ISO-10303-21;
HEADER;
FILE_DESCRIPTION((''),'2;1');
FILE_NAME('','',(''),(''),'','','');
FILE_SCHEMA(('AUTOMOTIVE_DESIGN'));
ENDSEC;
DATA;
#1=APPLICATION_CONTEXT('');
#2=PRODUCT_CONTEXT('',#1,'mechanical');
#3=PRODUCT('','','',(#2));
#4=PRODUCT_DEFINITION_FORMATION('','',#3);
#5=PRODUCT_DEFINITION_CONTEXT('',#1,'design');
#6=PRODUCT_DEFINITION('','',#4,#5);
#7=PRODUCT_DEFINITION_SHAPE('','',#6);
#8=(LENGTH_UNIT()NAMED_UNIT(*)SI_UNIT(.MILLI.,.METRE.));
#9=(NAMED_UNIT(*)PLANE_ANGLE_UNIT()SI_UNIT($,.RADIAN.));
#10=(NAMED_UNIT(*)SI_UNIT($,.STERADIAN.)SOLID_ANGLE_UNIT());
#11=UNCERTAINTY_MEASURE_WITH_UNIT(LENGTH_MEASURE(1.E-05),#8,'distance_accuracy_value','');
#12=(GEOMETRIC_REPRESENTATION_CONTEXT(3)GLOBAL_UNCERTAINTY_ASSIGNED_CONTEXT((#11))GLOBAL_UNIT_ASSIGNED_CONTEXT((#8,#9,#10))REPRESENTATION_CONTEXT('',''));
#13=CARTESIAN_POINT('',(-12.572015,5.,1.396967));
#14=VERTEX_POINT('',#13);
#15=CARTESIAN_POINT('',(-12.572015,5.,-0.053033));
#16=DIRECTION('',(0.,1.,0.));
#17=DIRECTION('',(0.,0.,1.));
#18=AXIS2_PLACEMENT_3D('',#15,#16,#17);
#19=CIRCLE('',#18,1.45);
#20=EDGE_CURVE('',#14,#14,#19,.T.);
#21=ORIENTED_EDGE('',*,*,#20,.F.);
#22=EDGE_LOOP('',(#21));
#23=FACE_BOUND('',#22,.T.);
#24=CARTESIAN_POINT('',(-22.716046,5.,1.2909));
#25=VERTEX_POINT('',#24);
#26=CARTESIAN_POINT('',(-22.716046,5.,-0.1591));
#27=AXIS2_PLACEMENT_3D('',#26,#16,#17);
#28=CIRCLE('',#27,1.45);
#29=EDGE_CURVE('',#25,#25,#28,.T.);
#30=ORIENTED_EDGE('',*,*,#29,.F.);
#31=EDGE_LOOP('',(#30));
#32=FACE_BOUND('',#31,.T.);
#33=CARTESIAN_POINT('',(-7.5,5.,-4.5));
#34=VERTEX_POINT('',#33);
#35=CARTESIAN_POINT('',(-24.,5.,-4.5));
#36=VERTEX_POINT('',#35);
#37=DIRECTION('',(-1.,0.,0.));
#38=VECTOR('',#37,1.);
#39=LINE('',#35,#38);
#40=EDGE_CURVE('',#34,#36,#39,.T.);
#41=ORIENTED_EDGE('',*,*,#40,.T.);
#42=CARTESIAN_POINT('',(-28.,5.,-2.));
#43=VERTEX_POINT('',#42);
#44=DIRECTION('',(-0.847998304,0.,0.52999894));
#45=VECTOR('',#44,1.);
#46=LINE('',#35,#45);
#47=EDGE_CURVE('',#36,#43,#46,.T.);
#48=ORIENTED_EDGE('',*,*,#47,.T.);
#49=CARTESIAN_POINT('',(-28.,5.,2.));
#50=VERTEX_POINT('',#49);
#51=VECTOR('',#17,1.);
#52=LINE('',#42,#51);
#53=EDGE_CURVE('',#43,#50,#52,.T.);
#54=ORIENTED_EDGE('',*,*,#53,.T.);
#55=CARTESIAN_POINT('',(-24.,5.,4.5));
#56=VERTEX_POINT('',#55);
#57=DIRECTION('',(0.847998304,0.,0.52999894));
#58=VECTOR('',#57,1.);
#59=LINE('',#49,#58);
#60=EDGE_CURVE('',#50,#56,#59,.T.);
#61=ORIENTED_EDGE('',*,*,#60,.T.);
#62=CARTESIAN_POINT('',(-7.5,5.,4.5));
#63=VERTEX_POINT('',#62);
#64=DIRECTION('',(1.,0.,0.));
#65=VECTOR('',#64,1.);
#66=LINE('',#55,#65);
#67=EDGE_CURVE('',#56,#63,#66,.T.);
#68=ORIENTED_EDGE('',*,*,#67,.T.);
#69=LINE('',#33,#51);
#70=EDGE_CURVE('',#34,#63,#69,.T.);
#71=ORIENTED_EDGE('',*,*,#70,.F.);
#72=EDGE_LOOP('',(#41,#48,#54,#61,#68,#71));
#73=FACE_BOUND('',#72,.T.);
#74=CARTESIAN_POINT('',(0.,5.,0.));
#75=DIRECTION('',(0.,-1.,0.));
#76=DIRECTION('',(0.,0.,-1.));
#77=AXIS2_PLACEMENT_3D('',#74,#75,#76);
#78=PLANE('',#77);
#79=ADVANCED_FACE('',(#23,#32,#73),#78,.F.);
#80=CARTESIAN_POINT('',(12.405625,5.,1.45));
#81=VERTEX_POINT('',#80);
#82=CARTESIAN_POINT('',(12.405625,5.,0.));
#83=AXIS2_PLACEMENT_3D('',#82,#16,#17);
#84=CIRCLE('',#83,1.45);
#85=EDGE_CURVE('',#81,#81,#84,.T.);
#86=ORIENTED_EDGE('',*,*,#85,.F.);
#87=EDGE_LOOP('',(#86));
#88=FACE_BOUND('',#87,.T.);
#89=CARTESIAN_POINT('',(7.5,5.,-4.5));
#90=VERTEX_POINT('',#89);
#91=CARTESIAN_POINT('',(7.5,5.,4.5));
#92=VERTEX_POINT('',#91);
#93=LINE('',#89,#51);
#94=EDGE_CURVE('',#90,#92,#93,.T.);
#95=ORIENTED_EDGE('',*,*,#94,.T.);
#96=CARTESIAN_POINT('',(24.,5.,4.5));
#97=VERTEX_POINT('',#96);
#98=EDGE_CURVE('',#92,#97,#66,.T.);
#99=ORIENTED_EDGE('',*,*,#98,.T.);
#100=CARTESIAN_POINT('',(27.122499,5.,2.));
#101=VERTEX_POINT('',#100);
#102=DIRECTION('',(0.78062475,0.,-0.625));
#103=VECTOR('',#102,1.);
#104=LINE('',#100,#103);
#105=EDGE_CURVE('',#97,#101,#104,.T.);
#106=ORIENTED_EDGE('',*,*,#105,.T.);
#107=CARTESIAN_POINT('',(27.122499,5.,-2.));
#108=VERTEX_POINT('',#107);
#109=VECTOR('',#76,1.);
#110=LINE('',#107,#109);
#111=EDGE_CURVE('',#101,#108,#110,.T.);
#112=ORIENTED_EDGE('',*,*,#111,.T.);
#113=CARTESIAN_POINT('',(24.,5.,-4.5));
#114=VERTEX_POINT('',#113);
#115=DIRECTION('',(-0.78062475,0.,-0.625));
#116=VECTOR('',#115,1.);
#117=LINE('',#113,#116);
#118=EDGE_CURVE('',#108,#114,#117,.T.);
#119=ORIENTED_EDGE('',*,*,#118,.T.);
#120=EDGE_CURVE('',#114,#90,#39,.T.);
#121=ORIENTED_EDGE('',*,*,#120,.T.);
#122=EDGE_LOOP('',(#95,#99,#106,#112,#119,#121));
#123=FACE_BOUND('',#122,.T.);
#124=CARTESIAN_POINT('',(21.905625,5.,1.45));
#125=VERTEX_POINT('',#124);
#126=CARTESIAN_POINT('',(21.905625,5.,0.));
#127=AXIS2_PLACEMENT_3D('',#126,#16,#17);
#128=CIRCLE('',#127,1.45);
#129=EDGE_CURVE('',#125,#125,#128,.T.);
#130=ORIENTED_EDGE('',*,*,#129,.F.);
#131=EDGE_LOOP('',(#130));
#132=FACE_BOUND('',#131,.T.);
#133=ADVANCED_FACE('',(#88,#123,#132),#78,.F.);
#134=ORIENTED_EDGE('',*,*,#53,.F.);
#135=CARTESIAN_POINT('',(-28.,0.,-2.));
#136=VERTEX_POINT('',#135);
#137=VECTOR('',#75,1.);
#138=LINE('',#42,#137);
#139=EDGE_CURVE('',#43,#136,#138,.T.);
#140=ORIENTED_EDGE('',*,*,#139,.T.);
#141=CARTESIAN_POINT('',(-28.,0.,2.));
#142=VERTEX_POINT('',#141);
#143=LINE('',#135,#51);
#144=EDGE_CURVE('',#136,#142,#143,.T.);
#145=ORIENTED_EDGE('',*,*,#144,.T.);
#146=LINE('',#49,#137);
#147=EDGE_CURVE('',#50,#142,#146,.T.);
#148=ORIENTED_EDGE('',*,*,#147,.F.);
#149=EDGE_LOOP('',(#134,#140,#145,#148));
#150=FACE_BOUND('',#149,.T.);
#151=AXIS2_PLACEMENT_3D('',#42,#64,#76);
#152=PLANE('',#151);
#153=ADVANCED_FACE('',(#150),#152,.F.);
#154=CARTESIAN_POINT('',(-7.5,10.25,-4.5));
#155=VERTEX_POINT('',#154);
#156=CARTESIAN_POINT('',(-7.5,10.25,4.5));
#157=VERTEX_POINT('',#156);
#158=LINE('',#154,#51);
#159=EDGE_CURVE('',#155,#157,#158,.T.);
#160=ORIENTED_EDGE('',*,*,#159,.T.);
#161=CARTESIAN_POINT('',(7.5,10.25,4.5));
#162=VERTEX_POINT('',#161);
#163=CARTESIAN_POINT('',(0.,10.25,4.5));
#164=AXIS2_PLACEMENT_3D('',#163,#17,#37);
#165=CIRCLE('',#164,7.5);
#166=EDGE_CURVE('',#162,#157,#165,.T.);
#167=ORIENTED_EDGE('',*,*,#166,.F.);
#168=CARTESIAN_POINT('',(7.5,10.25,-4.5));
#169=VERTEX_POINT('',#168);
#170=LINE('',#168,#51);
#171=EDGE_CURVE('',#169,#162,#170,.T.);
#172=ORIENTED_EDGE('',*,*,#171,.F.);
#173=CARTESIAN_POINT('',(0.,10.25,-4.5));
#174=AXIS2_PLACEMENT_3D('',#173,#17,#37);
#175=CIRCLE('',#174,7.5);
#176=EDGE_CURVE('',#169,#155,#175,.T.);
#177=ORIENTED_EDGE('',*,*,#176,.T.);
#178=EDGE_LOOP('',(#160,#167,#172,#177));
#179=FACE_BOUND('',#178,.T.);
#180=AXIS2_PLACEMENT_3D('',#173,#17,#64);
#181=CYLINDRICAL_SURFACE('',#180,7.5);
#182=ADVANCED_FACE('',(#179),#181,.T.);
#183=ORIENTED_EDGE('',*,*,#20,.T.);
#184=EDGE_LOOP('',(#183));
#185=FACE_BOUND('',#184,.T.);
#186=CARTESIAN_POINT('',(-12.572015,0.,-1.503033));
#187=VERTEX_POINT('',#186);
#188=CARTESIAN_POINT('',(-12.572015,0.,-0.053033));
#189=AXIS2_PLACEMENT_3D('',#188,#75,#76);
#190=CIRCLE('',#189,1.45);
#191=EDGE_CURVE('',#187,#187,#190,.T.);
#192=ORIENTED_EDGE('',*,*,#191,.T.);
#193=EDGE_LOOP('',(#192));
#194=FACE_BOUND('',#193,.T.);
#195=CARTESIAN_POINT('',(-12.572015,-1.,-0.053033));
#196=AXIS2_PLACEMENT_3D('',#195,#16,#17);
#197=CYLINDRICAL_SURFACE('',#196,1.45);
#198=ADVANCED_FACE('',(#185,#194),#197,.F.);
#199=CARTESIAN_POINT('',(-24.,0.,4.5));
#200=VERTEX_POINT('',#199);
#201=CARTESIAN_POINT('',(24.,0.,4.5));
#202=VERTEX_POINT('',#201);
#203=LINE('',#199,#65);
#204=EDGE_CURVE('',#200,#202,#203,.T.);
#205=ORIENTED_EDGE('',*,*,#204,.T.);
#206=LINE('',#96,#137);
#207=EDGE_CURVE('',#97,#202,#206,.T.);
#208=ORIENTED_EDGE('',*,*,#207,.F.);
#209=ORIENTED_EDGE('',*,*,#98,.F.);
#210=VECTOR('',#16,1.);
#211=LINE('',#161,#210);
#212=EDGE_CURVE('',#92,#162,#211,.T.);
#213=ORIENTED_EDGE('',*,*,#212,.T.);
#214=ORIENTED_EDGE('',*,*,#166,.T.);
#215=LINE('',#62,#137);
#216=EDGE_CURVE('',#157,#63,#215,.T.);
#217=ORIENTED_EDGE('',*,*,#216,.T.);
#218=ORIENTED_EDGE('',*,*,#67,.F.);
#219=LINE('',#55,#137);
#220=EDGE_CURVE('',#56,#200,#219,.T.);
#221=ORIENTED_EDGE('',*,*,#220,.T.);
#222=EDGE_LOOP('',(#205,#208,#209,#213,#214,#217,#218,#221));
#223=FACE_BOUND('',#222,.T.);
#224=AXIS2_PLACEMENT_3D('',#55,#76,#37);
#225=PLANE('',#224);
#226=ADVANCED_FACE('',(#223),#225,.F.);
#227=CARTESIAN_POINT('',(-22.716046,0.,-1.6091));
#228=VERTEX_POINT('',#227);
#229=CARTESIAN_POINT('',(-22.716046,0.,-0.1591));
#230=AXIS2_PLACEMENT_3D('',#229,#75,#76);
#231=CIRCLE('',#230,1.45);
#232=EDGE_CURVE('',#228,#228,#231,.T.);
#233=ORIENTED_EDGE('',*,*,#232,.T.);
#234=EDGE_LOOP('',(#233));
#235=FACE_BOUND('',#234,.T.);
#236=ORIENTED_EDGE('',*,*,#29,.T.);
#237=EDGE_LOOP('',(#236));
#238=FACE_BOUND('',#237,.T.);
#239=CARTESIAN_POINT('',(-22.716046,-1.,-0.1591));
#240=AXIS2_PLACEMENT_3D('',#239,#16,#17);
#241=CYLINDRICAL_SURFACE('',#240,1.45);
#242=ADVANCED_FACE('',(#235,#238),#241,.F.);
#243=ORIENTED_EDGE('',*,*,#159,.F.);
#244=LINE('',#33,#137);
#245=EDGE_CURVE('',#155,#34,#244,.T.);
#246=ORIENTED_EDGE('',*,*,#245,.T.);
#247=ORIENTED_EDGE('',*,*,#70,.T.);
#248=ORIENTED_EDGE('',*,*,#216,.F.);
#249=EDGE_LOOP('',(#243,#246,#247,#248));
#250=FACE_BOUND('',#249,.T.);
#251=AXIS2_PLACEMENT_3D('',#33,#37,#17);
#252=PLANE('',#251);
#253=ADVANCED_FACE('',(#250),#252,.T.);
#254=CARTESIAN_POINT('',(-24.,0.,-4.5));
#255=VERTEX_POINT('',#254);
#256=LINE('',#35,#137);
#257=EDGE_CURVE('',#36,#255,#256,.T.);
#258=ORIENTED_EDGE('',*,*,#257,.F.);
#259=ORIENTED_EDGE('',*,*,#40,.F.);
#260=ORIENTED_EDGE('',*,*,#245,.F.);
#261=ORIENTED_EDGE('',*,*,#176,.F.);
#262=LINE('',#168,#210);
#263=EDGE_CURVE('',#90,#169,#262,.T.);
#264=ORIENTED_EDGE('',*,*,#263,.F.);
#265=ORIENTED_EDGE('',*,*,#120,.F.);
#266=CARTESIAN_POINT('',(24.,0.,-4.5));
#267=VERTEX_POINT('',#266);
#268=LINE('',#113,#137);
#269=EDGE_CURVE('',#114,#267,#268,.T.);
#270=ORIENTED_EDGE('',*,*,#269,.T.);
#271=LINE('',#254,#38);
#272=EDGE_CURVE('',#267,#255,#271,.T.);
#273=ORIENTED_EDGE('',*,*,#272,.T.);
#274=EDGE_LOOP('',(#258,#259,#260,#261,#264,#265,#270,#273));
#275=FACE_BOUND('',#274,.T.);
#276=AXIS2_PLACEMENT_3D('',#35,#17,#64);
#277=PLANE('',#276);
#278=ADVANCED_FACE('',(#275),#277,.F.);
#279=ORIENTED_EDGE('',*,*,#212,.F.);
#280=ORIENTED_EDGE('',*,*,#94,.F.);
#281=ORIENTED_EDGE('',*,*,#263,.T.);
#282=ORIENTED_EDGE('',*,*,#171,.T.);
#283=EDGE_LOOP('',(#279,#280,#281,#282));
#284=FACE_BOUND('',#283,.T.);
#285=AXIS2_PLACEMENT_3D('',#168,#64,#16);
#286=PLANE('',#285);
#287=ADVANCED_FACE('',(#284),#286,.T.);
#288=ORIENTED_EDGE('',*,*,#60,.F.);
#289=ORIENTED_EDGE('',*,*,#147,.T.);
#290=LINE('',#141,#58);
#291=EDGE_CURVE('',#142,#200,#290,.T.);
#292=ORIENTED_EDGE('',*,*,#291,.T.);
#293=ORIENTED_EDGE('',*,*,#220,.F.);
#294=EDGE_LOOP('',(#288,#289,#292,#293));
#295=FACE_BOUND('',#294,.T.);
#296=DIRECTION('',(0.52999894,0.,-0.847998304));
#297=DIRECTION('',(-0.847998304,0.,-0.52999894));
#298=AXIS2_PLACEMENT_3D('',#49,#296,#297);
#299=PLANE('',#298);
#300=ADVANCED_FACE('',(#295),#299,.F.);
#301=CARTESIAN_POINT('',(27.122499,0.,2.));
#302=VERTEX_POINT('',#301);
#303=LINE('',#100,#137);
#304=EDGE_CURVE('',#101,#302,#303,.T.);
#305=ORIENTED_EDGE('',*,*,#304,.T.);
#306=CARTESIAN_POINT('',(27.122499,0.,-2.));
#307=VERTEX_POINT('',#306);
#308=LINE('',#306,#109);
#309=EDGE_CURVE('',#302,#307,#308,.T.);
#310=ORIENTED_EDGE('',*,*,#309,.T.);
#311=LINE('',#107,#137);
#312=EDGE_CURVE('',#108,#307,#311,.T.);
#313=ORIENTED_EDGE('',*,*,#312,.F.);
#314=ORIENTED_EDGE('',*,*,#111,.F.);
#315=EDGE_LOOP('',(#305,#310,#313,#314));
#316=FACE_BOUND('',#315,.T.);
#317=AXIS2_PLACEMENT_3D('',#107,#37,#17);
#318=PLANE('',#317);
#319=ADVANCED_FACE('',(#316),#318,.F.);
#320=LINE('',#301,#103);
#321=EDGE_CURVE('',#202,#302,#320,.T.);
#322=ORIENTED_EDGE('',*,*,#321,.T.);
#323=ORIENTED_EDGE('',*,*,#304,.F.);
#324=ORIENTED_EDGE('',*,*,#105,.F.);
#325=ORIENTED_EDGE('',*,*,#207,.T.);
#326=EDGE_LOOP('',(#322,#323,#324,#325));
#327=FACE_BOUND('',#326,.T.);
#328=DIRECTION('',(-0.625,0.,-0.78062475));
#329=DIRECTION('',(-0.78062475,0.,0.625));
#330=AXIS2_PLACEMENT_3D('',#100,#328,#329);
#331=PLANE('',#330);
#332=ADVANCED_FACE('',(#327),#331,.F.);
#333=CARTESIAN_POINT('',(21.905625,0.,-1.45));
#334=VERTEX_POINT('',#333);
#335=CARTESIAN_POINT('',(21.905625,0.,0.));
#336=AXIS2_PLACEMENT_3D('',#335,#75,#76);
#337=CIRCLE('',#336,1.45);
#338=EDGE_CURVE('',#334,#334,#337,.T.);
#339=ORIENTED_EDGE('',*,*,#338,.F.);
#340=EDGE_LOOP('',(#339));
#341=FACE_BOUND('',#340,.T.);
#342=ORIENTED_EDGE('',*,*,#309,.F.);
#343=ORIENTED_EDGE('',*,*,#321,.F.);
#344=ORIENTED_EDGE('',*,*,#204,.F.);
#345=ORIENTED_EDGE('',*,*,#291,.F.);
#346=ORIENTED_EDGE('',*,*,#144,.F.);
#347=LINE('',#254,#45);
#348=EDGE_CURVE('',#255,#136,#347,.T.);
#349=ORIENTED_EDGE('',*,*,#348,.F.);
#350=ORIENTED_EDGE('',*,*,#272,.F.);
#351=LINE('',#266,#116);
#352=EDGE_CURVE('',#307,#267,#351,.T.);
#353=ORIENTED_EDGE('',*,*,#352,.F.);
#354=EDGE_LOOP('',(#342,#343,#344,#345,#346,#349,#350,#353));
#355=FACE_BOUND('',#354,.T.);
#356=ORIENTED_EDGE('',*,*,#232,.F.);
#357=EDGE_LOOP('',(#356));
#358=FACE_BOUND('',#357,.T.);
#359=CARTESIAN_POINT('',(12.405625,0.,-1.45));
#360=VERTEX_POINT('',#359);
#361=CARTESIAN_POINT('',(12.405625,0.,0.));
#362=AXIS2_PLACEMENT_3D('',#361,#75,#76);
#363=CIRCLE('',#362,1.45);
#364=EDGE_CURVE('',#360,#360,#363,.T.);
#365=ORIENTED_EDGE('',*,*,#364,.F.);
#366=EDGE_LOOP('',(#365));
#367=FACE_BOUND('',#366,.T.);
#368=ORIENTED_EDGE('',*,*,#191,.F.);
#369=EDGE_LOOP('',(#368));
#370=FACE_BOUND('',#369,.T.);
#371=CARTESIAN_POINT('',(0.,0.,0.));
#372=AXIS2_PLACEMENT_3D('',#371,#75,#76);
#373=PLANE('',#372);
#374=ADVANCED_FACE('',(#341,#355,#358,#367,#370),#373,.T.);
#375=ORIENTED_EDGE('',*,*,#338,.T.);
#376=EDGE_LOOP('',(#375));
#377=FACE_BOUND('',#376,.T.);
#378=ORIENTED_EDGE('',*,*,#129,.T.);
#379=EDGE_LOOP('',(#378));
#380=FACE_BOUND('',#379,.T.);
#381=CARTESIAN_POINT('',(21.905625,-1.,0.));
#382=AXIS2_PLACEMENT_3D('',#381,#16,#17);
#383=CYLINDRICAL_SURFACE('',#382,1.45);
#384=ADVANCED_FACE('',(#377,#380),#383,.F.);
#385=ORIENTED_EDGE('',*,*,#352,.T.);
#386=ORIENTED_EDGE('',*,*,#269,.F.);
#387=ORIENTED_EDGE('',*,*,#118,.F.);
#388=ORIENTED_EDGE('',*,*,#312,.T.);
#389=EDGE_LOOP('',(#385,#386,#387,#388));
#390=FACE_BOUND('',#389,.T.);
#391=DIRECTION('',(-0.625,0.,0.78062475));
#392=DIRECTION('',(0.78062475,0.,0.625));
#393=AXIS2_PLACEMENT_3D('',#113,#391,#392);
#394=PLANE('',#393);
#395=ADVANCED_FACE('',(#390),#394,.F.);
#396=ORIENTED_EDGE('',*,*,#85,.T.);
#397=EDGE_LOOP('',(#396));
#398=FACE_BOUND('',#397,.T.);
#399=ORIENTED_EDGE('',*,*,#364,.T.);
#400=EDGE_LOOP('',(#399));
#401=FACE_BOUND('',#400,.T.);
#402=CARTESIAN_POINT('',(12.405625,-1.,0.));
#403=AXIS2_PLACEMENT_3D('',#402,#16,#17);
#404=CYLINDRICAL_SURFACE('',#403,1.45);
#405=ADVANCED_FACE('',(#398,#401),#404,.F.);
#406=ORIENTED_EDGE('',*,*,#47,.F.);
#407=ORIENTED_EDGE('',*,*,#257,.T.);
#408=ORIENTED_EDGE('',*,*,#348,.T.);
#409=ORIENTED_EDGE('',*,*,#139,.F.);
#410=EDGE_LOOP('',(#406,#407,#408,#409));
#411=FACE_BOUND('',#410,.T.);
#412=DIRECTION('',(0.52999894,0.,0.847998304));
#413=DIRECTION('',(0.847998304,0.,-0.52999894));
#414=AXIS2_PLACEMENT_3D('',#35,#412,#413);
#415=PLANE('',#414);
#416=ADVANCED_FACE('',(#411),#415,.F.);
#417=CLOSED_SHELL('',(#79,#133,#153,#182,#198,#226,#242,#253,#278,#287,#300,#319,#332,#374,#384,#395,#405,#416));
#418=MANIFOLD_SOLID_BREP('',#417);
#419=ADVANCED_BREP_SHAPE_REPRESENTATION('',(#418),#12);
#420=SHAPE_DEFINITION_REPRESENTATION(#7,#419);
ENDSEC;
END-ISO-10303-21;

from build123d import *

# Parameters (mm, degrees)
DODANIE_WYCI_GNI_CIE1_DEPTH = 5
DODANIE_WYCI_GNI_CIE2_DEPTH = 9
SZKIC4_R                    = 1.45
WYTNIJ_WYCI_GNI_CIE1_DEPTH  = 6


with BuildPart() as part:
    # Szkic1 → Dodanie-wyciągnięcie1 (new body)
    with BuildSketch(Plane(origin=(0, 0, 0), x_dir=(1, 0, 0), z_dir=(0, 1, 0))):
        Polygon((24, 4.5), (27.122498999, 2), (27.122498999, -2), (24, -4.5), (-24, -4.5), (-28, -2), (-28, 2), (-24, 4.5), align=None)
    extrude(amount=DODANIE_WYCI_GNI_CIE1_DEPTH)

    # Szkic2 → Dodanie-wyciągnięcie2 (add)
    with BuildSketch(Plane.XY.offset(4.5)):
        with BuildLine():
            Line((-7.5, 5), (7.5, 5))
            Line((7.5, 5), (7.5, 10.25))
            ThreePointArc((7.5, 10.25), (0, 17.75), (-7.5, 10.25))
            Line((-7.5, 10.25), (-7.5, 5))
        make_face()
    extrude(amount=-DODANIE_WYCI_GNI_CIE2_DEPTH)

    # Szkic4 → Wytnij-wyciągnięcie1 (cut)
    with BuildSketch(Plane(origin=(0, 5, 0), x_dir=(1, 0, 0), z_dir=(0, 1, 0))):
        with Locations(Location((12.40562475, 0, 0), (0, 0, 270))):
            Circle(SZKIC4_R)
        with Locations(Location((21.90562475, 0, 0), (0, 0, 270))):
            Circle(SZKIC4_R)
        with Locations(Location((-12.57201541, 0.053033314, 0), (0, 0, 270))):
            Circle(SZKIC4_R)
        with Locations(Location((-22.71604623, 0.159099943, 0), (0, 0, 270))):
            Circle(SZKIC4_R)
    extrude(amount=-WYTNIJ_WYCI_GNI_CIE1_DEPTH, mode=Mode.SUBTRACT)


solid = part.part
